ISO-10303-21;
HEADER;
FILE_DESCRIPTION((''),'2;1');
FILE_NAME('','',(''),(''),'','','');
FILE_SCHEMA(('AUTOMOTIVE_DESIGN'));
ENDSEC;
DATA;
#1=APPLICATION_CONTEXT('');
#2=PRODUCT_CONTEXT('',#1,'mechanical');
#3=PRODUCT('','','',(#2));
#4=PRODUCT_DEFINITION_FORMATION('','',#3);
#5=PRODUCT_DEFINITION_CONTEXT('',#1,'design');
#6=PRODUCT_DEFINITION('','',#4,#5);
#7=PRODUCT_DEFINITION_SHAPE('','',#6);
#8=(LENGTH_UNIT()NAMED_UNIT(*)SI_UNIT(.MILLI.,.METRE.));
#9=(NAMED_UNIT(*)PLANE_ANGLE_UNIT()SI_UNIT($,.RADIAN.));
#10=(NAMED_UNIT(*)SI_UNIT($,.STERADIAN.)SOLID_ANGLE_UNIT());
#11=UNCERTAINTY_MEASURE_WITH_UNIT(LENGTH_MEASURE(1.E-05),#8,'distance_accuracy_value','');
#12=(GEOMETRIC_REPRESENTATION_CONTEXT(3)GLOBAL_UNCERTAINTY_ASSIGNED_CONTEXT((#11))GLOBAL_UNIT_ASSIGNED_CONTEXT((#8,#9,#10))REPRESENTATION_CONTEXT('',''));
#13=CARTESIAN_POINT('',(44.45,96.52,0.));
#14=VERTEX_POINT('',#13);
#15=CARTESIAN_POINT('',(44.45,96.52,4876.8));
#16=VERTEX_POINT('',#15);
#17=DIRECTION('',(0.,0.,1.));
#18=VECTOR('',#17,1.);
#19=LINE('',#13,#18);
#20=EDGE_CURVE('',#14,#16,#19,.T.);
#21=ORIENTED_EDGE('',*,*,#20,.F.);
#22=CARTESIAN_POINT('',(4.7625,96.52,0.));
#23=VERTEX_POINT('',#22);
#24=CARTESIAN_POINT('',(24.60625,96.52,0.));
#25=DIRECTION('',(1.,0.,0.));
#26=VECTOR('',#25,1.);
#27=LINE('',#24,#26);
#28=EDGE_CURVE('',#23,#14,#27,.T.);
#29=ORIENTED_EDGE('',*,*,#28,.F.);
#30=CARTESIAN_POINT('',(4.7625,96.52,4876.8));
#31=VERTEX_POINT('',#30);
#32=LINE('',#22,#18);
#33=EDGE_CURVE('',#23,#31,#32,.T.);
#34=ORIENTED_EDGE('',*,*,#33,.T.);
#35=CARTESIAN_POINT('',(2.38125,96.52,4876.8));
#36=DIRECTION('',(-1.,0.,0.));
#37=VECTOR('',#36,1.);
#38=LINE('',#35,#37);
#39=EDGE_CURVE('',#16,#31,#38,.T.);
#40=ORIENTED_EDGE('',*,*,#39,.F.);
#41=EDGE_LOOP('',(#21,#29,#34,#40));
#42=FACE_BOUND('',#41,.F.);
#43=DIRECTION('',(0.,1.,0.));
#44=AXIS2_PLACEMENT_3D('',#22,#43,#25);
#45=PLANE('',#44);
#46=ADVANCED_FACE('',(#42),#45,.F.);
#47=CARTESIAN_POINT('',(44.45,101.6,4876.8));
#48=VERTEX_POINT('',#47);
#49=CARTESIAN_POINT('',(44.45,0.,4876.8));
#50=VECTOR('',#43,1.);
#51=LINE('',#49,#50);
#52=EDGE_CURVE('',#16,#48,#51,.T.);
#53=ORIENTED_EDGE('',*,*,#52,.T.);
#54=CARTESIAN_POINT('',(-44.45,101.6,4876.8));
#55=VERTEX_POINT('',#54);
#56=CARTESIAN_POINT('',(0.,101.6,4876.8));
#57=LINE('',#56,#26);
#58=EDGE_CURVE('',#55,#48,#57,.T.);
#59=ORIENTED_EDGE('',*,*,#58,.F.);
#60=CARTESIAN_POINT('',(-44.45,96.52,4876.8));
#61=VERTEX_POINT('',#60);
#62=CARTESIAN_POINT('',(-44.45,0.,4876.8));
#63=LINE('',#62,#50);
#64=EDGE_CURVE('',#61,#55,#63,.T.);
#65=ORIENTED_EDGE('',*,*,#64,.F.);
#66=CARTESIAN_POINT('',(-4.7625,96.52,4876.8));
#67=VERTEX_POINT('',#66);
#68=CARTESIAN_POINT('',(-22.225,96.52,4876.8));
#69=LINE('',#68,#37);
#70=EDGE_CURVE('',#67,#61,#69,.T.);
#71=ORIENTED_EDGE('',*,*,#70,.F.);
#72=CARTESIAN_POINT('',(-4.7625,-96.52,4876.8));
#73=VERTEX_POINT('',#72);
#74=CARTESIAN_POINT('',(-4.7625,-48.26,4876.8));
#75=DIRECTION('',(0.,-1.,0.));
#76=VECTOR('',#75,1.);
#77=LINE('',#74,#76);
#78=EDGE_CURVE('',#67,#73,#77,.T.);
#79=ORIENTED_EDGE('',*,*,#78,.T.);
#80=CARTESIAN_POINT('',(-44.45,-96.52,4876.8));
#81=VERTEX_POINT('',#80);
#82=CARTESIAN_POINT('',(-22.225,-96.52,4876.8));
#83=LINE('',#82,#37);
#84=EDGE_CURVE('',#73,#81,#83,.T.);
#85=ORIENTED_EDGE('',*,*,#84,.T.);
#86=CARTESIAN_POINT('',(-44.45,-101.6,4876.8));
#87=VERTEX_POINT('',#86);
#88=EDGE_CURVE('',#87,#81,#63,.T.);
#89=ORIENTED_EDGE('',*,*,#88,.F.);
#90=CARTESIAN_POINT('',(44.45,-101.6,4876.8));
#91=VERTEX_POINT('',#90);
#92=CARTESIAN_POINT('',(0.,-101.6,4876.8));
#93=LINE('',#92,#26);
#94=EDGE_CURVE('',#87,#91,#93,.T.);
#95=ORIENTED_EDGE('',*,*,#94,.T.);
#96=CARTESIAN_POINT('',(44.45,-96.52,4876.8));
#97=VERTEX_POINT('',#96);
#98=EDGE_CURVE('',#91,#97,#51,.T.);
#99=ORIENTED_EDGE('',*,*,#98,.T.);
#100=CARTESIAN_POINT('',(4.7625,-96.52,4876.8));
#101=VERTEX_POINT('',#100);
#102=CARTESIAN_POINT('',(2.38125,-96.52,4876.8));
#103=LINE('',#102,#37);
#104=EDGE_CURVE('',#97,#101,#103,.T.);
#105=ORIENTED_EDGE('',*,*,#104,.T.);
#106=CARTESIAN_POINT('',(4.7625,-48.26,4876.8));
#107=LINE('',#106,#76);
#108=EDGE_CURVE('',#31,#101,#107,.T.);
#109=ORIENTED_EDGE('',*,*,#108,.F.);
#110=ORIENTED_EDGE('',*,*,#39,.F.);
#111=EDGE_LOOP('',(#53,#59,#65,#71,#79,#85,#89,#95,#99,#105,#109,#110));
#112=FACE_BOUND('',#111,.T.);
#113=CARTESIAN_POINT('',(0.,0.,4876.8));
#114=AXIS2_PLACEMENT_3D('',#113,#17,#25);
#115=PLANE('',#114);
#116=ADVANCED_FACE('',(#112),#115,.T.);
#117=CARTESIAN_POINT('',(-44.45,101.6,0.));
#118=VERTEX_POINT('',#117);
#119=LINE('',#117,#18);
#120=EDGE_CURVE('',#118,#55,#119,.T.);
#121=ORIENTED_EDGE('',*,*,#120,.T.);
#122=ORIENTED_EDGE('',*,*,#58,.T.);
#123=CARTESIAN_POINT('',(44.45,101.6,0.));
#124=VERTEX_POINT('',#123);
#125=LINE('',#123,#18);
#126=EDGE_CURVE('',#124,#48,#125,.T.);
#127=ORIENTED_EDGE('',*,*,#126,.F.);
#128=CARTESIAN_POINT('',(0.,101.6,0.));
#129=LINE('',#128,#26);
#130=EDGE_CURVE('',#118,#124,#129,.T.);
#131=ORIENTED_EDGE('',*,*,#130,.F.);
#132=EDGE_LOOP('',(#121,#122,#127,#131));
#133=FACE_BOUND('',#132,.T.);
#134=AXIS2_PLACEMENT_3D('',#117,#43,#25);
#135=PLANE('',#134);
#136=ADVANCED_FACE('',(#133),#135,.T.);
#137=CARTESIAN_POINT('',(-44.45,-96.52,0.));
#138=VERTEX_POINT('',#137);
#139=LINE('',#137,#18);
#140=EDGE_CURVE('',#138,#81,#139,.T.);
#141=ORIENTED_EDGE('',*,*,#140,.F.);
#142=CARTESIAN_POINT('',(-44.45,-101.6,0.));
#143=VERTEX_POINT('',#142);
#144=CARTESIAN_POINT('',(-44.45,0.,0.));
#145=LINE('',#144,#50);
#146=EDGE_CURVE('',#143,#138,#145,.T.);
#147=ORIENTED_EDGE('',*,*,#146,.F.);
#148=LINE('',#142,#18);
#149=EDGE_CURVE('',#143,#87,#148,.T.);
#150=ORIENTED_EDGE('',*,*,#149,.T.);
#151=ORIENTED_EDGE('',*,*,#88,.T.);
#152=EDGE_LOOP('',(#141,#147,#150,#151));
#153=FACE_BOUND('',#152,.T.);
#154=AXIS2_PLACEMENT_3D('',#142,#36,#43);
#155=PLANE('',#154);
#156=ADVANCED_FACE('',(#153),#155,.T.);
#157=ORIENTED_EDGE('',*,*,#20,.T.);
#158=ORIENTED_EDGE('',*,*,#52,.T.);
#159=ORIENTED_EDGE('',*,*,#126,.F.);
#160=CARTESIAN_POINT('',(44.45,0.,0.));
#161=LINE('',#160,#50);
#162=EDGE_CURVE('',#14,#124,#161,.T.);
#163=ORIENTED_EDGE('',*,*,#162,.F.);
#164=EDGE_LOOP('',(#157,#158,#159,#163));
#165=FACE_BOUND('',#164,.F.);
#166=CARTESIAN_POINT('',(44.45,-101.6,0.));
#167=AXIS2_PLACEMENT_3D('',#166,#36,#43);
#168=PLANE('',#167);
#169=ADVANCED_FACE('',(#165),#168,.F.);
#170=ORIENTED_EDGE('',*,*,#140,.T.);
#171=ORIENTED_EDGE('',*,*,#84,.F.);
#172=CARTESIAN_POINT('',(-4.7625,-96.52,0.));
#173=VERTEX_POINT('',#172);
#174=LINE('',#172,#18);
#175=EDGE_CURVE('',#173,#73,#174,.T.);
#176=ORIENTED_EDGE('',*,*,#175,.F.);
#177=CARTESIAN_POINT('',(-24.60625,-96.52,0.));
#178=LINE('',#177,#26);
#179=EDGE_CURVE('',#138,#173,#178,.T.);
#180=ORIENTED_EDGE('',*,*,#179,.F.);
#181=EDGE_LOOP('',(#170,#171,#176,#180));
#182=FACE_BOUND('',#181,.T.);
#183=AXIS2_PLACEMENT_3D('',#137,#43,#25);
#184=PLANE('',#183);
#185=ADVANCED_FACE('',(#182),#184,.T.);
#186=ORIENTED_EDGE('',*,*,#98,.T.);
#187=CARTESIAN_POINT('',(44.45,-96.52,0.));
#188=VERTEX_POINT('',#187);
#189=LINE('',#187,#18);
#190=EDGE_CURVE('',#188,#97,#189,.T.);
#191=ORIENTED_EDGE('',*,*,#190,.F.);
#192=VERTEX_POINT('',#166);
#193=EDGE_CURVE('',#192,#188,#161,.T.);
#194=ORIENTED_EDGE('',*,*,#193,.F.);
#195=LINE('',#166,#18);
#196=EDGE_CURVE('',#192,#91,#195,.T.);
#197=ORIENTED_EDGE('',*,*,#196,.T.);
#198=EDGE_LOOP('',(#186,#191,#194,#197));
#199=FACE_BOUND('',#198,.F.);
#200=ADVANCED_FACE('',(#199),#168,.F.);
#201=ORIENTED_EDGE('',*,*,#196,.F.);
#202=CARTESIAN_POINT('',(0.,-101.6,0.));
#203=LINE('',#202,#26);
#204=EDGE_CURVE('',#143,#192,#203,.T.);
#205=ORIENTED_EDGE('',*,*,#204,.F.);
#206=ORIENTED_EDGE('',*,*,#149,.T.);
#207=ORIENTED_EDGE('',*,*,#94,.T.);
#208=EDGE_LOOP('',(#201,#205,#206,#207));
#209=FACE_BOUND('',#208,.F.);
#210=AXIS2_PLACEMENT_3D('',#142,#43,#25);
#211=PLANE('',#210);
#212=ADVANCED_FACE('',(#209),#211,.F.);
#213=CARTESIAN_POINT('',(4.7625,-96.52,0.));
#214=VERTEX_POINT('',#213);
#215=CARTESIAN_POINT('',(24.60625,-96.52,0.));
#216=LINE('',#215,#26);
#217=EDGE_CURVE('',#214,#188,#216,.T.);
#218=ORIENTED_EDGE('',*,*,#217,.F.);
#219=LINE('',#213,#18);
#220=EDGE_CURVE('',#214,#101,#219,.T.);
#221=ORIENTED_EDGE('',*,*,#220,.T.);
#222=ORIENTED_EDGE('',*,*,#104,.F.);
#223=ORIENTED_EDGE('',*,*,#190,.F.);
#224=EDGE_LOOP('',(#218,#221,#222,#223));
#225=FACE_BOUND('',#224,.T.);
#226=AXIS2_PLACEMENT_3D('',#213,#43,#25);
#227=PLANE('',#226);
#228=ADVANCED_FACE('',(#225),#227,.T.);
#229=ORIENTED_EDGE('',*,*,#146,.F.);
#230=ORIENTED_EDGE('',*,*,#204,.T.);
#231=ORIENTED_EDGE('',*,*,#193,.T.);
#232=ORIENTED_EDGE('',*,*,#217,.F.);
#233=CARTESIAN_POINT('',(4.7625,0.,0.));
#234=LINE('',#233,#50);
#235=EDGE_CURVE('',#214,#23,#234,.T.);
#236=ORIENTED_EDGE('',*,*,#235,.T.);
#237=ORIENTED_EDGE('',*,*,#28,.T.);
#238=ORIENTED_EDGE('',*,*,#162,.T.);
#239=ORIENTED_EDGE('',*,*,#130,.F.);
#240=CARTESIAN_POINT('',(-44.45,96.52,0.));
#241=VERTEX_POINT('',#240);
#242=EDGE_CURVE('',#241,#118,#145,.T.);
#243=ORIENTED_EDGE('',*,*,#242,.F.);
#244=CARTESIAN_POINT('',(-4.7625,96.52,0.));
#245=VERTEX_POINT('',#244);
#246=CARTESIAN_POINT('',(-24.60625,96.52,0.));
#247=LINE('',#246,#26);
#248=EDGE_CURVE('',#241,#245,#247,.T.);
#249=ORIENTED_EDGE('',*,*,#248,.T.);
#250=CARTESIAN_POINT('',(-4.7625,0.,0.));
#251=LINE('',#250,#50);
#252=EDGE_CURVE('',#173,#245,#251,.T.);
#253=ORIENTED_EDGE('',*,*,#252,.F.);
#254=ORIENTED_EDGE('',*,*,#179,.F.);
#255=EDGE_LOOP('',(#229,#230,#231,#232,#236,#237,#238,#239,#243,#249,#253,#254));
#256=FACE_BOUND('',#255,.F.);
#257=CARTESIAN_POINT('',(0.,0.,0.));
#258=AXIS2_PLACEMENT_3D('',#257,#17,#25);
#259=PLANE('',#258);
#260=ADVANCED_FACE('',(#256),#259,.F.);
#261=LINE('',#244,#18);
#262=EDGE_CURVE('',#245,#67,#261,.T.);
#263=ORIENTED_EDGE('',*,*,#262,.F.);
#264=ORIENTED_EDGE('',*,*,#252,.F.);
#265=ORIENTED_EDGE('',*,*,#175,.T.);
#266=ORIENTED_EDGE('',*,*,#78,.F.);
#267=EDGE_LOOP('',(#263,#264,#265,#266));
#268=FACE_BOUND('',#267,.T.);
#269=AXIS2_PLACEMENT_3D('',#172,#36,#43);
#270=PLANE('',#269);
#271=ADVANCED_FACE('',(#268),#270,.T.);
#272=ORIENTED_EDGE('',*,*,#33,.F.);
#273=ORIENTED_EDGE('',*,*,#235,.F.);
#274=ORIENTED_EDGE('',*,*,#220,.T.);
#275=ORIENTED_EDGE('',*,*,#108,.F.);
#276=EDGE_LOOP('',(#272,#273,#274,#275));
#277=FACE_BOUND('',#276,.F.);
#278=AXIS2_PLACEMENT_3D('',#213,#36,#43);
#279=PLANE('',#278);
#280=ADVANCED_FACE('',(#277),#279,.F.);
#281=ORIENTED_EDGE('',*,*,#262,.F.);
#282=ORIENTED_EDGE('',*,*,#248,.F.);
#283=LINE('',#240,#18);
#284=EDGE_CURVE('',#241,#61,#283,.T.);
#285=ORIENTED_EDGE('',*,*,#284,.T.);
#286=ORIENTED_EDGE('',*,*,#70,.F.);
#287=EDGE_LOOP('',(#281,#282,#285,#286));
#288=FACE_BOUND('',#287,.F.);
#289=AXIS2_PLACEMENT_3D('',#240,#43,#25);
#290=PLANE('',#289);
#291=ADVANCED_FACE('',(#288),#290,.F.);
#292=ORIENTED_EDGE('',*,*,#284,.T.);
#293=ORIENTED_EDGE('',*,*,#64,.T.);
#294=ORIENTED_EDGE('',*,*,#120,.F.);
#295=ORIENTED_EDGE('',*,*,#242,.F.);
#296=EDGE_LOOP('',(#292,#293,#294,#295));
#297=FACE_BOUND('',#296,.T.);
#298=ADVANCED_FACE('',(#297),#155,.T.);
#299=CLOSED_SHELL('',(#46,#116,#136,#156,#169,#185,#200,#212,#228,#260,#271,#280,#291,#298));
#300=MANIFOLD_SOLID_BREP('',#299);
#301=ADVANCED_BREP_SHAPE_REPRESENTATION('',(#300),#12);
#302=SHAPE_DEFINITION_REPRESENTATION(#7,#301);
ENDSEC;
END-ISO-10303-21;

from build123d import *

# Parameters (mm, degrees)
F0_W     = 88.9
F0_H     = 203.2
F1_DEPTH = 4876.8
F2_W     = 39.6875
F2_H     = 193.04
F3_DEPTH = 4876.801


with BuildPart() as f1:
    # F0 (on Top) → F1 (new body)
    with BuildSketch(Plane.XY):
        Rectangle(F0_W, F0_H)
    extrude(amount=F1_DEPTH)

    # F2 (on Top) → F3 (cut, through all)
    with BuildSketch(Plane.XY):
        with Locations((-24.60625, 0)):
            Rectangle(F2_W, F2_H)
        with Locations((24.60625, 0)):
            Rectangle(F2_W, F2_H)
    extrude(amount=F3_DEPTH, mode=Mode.SUBTRACT)


solid = f1.part
